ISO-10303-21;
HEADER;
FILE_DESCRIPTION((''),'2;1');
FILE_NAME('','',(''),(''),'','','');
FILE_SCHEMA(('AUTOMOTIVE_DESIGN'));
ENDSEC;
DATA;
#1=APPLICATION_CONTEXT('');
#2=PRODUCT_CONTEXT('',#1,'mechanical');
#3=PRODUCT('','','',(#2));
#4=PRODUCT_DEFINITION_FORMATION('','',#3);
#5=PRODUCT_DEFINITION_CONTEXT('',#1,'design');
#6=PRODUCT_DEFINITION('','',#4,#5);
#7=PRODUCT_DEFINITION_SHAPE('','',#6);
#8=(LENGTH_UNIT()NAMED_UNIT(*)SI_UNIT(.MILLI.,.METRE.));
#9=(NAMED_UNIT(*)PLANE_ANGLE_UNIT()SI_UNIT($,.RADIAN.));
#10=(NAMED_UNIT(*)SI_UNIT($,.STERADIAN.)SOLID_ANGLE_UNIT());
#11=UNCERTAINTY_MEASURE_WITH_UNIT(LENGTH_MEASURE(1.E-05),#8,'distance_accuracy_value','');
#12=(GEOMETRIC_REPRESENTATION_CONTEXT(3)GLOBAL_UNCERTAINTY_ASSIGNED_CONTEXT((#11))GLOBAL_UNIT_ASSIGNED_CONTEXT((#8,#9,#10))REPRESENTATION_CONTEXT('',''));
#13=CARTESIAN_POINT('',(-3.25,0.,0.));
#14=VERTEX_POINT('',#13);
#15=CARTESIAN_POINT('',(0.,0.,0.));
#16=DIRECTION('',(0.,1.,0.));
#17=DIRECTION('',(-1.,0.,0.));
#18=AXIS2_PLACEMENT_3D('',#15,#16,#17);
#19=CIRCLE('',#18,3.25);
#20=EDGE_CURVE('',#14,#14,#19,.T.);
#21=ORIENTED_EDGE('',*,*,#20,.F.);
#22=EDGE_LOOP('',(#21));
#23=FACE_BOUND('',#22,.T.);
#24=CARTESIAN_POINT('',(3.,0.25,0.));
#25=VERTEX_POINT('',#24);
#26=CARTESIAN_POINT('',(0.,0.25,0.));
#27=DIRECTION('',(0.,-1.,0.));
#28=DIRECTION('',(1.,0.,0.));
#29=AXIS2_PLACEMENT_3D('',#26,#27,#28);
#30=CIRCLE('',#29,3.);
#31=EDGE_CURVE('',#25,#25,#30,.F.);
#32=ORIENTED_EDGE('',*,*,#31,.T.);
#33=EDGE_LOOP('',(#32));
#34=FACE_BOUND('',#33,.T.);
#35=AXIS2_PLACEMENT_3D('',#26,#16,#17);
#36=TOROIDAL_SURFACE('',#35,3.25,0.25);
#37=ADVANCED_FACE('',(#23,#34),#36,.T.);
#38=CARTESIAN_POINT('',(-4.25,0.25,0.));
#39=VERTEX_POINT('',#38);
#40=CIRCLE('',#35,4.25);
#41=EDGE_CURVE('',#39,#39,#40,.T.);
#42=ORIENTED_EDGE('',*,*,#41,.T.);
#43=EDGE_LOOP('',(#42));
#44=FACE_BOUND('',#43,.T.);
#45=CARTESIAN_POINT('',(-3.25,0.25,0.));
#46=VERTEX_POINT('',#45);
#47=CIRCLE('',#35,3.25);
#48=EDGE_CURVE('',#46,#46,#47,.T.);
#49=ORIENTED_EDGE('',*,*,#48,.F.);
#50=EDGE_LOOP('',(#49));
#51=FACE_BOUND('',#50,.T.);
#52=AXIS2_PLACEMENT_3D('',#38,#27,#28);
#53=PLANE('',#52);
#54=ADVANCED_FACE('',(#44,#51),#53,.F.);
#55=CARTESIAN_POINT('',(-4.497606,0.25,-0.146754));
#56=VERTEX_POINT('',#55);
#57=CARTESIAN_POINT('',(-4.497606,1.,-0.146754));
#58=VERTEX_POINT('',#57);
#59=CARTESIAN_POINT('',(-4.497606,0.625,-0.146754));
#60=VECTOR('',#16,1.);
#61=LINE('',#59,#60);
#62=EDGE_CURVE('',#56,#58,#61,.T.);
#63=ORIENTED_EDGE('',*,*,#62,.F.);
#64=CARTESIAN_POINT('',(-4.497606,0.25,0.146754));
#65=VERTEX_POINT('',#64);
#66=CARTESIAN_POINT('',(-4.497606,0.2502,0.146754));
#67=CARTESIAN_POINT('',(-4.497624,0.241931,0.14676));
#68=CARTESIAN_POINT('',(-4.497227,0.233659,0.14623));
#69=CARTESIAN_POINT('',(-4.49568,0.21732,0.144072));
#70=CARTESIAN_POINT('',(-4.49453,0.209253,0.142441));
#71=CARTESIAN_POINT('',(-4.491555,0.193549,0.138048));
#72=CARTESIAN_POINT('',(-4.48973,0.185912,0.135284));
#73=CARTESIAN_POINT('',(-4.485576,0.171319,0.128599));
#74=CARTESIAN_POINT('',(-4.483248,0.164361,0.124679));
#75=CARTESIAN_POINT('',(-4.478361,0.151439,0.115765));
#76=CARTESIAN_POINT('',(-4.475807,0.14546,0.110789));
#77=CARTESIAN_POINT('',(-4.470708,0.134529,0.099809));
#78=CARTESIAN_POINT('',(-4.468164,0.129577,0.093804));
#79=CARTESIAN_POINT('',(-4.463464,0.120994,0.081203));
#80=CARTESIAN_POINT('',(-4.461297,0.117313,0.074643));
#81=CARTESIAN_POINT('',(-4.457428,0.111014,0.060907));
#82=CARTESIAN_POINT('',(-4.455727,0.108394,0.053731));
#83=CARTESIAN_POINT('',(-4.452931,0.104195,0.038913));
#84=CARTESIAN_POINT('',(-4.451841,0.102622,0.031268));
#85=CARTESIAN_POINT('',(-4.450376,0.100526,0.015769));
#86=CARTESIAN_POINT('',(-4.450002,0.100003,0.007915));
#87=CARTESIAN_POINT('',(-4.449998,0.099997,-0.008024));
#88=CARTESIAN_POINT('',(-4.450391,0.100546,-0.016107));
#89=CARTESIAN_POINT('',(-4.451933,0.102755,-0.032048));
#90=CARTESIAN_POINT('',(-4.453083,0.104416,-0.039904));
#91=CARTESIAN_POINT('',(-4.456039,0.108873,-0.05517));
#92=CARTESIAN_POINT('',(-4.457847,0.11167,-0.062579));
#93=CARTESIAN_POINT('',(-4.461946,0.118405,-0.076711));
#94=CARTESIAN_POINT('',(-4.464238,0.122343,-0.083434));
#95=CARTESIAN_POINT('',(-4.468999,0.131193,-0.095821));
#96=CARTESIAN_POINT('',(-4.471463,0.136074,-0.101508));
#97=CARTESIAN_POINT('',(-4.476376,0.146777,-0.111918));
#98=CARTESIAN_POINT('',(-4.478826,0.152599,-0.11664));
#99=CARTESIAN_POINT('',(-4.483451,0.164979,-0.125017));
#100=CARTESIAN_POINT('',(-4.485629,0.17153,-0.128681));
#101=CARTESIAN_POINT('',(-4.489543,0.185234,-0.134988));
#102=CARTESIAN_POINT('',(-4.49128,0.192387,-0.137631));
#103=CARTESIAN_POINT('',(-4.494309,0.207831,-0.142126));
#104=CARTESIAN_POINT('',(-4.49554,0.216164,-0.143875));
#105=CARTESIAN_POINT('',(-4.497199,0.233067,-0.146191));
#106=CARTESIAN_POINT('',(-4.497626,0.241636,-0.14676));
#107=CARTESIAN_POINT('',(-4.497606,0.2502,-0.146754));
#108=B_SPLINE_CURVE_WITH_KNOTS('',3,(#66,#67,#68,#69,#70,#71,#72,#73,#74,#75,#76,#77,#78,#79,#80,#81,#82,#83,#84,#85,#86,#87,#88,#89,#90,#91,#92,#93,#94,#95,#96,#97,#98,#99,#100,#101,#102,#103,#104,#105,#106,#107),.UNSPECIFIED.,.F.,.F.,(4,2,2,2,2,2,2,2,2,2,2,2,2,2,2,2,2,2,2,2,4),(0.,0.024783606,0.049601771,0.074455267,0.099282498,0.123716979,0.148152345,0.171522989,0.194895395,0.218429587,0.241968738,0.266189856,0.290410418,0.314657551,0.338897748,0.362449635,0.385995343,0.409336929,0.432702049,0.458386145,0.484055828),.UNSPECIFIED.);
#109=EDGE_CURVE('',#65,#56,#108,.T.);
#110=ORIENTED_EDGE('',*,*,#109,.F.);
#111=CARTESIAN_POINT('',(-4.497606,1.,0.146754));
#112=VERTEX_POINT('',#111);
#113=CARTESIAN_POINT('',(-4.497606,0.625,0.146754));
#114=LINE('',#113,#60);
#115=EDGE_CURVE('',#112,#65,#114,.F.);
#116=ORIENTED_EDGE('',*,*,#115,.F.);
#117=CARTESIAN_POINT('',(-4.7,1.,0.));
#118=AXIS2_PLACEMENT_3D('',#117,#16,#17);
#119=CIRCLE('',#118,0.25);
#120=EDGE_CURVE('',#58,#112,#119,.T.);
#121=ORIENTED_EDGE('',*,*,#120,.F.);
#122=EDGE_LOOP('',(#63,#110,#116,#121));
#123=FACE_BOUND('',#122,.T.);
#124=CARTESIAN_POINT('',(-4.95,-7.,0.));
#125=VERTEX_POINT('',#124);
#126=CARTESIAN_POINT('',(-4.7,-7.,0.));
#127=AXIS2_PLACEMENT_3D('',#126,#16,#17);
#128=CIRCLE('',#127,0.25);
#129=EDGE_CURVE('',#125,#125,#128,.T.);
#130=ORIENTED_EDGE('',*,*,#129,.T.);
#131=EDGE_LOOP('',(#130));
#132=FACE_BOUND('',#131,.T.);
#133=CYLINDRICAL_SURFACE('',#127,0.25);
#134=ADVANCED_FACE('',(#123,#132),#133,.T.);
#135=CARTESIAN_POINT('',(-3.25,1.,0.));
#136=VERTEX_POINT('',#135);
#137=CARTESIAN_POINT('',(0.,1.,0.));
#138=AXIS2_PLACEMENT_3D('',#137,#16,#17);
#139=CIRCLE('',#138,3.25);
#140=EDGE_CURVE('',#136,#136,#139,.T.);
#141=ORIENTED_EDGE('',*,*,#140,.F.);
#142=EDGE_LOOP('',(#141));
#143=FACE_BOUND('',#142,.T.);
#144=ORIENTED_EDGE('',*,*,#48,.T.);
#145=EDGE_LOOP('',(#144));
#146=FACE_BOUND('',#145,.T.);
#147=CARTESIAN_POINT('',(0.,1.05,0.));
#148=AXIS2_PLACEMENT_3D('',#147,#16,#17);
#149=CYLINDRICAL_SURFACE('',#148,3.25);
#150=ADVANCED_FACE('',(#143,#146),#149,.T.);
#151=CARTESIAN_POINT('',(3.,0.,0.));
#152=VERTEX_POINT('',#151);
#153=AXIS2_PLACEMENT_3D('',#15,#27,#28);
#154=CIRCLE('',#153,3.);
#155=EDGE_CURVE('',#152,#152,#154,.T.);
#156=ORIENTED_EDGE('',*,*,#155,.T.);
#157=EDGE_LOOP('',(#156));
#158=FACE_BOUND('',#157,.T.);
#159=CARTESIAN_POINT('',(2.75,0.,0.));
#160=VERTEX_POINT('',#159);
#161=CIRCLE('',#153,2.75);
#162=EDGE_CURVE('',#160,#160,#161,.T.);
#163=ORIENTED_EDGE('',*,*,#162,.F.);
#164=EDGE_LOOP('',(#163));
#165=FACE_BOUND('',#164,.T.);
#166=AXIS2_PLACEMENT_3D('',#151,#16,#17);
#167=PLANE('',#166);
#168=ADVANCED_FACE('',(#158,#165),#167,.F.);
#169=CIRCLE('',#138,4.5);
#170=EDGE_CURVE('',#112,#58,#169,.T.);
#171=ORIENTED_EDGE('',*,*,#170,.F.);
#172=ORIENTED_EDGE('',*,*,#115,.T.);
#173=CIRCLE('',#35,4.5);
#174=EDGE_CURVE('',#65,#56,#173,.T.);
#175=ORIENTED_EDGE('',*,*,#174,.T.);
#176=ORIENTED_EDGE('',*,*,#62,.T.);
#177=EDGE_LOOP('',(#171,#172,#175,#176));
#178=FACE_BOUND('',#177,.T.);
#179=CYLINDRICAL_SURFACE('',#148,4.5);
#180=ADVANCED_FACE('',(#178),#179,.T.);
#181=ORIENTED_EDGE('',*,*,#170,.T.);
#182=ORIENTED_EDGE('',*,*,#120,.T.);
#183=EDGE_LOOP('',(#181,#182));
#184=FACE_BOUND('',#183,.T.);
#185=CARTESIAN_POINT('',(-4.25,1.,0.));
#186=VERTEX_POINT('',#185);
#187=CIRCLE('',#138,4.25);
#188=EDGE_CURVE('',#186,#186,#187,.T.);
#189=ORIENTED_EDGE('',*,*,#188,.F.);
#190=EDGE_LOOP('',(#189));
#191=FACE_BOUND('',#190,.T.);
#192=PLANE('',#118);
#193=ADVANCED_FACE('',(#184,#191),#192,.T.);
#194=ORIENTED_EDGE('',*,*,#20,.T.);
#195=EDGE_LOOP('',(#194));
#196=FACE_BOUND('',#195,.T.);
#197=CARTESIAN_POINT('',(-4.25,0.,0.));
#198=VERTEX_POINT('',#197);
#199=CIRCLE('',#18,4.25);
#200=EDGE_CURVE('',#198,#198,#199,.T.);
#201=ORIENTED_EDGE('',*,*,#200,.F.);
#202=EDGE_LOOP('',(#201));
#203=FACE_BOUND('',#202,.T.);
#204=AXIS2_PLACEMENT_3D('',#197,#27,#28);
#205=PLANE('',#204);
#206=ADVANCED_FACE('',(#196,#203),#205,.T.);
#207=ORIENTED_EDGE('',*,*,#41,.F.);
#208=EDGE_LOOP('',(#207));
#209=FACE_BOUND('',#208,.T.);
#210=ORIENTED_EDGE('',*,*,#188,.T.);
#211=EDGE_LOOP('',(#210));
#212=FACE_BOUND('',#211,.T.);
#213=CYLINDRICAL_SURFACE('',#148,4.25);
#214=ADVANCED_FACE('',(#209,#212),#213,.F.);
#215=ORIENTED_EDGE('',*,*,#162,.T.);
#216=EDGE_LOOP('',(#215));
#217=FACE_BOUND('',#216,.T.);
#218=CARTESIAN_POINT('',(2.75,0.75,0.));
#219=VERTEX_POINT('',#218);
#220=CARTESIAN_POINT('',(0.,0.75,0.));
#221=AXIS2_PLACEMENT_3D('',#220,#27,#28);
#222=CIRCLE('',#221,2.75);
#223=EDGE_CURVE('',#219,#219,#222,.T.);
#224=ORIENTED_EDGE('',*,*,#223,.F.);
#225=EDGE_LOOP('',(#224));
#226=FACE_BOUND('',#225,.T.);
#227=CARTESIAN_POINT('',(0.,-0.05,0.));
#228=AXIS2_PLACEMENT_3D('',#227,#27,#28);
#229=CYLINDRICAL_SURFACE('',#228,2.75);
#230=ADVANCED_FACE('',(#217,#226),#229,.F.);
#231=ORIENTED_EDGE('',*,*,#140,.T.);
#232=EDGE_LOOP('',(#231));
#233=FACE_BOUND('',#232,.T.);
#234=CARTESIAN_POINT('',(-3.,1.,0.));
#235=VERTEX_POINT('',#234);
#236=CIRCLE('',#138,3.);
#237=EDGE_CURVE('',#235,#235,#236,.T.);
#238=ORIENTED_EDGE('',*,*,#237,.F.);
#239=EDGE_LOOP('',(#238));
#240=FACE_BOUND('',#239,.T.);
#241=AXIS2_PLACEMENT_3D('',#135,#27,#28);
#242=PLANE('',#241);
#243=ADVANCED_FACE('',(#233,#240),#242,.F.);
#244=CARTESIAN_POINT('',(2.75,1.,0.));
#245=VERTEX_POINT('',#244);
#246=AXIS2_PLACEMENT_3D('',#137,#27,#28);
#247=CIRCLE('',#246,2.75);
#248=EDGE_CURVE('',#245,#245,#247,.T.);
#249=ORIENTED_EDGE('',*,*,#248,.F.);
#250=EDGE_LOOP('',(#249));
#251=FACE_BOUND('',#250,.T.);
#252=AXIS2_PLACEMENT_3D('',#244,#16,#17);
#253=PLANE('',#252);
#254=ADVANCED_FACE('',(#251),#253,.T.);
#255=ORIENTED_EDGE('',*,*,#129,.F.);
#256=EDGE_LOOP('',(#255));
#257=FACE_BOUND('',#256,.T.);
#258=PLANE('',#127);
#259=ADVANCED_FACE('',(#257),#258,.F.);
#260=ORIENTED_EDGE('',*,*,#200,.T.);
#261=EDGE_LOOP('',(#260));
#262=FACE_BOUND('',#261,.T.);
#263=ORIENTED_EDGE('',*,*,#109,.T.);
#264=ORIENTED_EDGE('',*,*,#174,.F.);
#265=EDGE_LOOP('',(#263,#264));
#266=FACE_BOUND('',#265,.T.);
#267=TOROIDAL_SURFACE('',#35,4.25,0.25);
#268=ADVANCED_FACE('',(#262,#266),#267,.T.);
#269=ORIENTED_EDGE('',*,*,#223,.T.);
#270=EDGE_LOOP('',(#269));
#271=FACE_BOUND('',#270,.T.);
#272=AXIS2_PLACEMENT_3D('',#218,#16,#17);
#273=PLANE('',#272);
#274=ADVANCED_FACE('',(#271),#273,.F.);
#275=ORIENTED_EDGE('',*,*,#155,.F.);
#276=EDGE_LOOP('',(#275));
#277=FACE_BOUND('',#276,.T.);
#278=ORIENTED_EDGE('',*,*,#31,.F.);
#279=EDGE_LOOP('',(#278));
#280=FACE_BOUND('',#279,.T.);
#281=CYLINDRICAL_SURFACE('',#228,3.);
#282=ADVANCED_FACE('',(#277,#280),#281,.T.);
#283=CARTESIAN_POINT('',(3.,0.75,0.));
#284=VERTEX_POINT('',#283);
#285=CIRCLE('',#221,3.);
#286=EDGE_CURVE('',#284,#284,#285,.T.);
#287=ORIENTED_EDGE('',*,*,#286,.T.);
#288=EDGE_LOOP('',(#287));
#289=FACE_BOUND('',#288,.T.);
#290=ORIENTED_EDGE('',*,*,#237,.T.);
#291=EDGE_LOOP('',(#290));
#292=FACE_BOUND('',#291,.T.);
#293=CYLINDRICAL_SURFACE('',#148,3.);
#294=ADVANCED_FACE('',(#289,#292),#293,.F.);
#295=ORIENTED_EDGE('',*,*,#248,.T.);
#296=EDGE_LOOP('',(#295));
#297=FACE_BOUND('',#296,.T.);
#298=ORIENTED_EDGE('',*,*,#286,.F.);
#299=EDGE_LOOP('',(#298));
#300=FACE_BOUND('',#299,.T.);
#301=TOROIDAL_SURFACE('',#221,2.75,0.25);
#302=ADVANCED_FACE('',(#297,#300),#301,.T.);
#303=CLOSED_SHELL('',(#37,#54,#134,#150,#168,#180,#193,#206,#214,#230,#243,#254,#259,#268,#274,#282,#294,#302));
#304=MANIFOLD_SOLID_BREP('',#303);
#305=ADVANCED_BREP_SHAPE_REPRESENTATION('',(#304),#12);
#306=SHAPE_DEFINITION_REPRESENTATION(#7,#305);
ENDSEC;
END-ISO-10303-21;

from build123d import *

# Parameters (mm, degrees)
SKETCH3_R      = 0.25
EXTRUDE1_DEPTH = 8


with BuildPart() as part:
    # Sketch3 → Extrude1 (new body)
    with BuildSketch(Plane(origin=(0, 1, 0), x_dir=(1, 0, 0), z_dir=(0, 1, 0))):
        with Locations((-4.7, 0)):
            Circle(SKETCH3_R)
    extrude(amount=-EXTRUDE1_DEPTH)



with BuildPart() as body_2:
    # Sketch2 → Revolve-Thin1 (revolve)
    with BuildSketch(Plane(origin=(0, 0, 0), x_dir=(-1, 0, 0), z_dir=(0, 0, 1))):
        with BuildLine():
            Line((-3, 0), (-3, -0.75))
            ThreePointArc((-3, -0.75), (-2.926776695, -0.926776695), (-2.75, -1))
            Line((-2.75, -1), (0, -1))
            Line((0, -1), (0, -0.75))
            Line((0, -0.75), (-2.75, -0.75))
            Line((-2.75, -0.75), (-2.75, 0))
            Line((-2.75, 0), (-3, 0))
        make_face()
    revolve(axis=Axis((0, -0.05, 0), (0, 1, 0)))


with BuildPart() as part_1:
    add(part.part)

    add(body_2.part)  # Revolve-Thin2 merges body 2
    # Sketch1 → Revolve-Thin2 (revolve)
    with BuildSketch(Plane.XY):
        with BuildLine():
            Line((-4.5, 1), (-4.5, 0.25))
            ThreePointArc((-4.5, 0.25), (-4.426776695, 0.073223305), (-4.25, 0))
            Line((-4.25, 0), (-3.25, 0))
            ThreePointArc((-3.25, 0), (-3.073223305, 0.073223305), (-3, 0.25))
            Line((-3, 0.25), (-3, 1))
            Line((-3, 1), (-3.25, 1))
            Line((-3.25, 1), (-3.25, 0.25))
            Line((-3.25, 0.25), (-4.25, 0.25))
            Line((-4.25, 0.25), (-4.25, 1))
            Line((-4.25, 1), (-4.5, 1))
        make_face()
    revolve(axis=Axis((0, 1.05, 0), (0, -1, 0)))


solid = part_1.part
